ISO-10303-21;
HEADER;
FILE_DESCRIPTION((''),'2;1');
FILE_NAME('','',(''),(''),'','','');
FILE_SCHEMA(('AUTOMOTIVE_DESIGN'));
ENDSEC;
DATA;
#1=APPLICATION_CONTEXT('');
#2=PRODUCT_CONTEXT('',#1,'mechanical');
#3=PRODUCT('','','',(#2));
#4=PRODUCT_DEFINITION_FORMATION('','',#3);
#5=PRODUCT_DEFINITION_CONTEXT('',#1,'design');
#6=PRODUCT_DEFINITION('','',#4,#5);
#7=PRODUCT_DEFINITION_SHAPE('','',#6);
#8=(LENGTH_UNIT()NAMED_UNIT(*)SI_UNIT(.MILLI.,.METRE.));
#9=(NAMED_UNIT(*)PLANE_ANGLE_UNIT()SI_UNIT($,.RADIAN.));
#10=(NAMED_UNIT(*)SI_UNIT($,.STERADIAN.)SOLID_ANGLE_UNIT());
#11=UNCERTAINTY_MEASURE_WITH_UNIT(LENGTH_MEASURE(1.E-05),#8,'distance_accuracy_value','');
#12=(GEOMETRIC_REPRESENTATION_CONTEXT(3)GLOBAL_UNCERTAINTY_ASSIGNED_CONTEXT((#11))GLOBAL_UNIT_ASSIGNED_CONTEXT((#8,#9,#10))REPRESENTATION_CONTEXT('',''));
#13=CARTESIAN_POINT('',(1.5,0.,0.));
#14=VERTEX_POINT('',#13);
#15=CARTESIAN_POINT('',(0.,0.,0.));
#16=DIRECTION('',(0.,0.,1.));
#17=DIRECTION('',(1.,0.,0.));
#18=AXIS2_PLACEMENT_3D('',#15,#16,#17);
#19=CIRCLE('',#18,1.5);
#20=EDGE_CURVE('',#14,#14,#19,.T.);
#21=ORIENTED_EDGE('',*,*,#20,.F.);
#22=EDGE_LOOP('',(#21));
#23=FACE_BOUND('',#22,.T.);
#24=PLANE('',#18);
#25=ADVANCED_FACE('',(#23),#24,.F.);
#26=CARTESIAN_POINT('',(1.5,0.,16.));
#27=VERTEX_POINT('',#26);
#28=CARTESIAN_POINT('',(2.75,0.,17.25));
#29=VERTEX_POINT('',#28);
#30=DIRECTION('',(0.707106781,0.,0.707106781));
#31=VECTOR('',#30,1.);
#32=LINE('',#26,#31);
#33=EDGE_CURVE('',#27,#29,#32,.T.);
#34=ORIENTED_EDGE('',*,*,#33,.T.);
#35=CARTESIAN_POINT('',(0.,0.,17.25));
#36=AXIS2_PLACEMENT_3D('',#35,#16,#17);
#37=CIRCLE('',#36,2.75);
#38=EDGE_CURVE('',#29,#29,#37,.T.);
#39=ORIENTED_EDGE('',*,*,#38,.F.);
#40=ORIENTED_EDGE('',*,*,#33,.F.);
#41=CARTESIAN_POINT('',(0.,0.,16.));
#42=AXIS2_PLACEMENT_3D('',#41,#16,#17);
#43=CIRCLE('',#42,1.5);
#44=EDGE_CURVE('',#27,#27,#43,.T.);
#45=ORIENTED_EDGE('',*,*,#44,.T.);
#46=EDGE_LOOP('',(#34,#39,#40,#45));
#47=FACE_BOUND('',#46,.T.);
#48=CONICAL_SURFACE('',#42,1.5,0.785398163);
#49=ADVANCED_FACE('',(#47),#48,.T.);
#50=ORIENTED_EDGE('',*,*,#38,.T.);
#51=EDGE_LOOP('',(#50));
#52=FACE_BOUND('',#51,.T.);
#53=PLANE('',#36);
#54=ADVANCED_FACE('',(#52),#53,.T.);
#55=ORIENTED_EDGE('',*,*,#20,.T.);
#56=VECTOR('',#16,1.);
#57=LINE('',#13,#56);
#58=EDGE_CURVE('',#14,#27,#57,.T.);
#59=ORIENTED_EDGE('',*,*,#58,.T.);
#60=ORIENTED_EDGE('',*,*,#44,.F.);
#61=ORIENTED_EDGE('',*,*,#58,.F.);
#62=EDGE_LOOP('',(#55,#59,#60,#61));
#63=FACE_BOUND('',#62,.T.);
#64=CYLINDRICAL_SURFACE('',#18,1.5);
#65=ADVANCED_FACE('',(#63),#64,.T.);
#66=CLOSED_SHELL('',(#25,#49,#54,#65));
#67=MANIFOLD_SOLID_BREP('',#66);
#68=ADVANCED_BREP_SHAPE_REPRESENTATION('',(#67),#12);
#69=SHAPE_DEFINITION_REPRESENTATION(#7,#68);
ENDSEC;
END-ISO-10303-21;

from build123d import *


with BuildPart() as part:
    # Sketch → Revolution (revolve)
    with BuildSketch(Plane.XZ):
        Polygon((0, 0), (1.5, 0), (1.5, 16), (2.75, 17.25), (0, 17.25), align=None)
    revolve(axis=Axis((0, 0, 0), (0, 0, 1)))


solid = part.part
